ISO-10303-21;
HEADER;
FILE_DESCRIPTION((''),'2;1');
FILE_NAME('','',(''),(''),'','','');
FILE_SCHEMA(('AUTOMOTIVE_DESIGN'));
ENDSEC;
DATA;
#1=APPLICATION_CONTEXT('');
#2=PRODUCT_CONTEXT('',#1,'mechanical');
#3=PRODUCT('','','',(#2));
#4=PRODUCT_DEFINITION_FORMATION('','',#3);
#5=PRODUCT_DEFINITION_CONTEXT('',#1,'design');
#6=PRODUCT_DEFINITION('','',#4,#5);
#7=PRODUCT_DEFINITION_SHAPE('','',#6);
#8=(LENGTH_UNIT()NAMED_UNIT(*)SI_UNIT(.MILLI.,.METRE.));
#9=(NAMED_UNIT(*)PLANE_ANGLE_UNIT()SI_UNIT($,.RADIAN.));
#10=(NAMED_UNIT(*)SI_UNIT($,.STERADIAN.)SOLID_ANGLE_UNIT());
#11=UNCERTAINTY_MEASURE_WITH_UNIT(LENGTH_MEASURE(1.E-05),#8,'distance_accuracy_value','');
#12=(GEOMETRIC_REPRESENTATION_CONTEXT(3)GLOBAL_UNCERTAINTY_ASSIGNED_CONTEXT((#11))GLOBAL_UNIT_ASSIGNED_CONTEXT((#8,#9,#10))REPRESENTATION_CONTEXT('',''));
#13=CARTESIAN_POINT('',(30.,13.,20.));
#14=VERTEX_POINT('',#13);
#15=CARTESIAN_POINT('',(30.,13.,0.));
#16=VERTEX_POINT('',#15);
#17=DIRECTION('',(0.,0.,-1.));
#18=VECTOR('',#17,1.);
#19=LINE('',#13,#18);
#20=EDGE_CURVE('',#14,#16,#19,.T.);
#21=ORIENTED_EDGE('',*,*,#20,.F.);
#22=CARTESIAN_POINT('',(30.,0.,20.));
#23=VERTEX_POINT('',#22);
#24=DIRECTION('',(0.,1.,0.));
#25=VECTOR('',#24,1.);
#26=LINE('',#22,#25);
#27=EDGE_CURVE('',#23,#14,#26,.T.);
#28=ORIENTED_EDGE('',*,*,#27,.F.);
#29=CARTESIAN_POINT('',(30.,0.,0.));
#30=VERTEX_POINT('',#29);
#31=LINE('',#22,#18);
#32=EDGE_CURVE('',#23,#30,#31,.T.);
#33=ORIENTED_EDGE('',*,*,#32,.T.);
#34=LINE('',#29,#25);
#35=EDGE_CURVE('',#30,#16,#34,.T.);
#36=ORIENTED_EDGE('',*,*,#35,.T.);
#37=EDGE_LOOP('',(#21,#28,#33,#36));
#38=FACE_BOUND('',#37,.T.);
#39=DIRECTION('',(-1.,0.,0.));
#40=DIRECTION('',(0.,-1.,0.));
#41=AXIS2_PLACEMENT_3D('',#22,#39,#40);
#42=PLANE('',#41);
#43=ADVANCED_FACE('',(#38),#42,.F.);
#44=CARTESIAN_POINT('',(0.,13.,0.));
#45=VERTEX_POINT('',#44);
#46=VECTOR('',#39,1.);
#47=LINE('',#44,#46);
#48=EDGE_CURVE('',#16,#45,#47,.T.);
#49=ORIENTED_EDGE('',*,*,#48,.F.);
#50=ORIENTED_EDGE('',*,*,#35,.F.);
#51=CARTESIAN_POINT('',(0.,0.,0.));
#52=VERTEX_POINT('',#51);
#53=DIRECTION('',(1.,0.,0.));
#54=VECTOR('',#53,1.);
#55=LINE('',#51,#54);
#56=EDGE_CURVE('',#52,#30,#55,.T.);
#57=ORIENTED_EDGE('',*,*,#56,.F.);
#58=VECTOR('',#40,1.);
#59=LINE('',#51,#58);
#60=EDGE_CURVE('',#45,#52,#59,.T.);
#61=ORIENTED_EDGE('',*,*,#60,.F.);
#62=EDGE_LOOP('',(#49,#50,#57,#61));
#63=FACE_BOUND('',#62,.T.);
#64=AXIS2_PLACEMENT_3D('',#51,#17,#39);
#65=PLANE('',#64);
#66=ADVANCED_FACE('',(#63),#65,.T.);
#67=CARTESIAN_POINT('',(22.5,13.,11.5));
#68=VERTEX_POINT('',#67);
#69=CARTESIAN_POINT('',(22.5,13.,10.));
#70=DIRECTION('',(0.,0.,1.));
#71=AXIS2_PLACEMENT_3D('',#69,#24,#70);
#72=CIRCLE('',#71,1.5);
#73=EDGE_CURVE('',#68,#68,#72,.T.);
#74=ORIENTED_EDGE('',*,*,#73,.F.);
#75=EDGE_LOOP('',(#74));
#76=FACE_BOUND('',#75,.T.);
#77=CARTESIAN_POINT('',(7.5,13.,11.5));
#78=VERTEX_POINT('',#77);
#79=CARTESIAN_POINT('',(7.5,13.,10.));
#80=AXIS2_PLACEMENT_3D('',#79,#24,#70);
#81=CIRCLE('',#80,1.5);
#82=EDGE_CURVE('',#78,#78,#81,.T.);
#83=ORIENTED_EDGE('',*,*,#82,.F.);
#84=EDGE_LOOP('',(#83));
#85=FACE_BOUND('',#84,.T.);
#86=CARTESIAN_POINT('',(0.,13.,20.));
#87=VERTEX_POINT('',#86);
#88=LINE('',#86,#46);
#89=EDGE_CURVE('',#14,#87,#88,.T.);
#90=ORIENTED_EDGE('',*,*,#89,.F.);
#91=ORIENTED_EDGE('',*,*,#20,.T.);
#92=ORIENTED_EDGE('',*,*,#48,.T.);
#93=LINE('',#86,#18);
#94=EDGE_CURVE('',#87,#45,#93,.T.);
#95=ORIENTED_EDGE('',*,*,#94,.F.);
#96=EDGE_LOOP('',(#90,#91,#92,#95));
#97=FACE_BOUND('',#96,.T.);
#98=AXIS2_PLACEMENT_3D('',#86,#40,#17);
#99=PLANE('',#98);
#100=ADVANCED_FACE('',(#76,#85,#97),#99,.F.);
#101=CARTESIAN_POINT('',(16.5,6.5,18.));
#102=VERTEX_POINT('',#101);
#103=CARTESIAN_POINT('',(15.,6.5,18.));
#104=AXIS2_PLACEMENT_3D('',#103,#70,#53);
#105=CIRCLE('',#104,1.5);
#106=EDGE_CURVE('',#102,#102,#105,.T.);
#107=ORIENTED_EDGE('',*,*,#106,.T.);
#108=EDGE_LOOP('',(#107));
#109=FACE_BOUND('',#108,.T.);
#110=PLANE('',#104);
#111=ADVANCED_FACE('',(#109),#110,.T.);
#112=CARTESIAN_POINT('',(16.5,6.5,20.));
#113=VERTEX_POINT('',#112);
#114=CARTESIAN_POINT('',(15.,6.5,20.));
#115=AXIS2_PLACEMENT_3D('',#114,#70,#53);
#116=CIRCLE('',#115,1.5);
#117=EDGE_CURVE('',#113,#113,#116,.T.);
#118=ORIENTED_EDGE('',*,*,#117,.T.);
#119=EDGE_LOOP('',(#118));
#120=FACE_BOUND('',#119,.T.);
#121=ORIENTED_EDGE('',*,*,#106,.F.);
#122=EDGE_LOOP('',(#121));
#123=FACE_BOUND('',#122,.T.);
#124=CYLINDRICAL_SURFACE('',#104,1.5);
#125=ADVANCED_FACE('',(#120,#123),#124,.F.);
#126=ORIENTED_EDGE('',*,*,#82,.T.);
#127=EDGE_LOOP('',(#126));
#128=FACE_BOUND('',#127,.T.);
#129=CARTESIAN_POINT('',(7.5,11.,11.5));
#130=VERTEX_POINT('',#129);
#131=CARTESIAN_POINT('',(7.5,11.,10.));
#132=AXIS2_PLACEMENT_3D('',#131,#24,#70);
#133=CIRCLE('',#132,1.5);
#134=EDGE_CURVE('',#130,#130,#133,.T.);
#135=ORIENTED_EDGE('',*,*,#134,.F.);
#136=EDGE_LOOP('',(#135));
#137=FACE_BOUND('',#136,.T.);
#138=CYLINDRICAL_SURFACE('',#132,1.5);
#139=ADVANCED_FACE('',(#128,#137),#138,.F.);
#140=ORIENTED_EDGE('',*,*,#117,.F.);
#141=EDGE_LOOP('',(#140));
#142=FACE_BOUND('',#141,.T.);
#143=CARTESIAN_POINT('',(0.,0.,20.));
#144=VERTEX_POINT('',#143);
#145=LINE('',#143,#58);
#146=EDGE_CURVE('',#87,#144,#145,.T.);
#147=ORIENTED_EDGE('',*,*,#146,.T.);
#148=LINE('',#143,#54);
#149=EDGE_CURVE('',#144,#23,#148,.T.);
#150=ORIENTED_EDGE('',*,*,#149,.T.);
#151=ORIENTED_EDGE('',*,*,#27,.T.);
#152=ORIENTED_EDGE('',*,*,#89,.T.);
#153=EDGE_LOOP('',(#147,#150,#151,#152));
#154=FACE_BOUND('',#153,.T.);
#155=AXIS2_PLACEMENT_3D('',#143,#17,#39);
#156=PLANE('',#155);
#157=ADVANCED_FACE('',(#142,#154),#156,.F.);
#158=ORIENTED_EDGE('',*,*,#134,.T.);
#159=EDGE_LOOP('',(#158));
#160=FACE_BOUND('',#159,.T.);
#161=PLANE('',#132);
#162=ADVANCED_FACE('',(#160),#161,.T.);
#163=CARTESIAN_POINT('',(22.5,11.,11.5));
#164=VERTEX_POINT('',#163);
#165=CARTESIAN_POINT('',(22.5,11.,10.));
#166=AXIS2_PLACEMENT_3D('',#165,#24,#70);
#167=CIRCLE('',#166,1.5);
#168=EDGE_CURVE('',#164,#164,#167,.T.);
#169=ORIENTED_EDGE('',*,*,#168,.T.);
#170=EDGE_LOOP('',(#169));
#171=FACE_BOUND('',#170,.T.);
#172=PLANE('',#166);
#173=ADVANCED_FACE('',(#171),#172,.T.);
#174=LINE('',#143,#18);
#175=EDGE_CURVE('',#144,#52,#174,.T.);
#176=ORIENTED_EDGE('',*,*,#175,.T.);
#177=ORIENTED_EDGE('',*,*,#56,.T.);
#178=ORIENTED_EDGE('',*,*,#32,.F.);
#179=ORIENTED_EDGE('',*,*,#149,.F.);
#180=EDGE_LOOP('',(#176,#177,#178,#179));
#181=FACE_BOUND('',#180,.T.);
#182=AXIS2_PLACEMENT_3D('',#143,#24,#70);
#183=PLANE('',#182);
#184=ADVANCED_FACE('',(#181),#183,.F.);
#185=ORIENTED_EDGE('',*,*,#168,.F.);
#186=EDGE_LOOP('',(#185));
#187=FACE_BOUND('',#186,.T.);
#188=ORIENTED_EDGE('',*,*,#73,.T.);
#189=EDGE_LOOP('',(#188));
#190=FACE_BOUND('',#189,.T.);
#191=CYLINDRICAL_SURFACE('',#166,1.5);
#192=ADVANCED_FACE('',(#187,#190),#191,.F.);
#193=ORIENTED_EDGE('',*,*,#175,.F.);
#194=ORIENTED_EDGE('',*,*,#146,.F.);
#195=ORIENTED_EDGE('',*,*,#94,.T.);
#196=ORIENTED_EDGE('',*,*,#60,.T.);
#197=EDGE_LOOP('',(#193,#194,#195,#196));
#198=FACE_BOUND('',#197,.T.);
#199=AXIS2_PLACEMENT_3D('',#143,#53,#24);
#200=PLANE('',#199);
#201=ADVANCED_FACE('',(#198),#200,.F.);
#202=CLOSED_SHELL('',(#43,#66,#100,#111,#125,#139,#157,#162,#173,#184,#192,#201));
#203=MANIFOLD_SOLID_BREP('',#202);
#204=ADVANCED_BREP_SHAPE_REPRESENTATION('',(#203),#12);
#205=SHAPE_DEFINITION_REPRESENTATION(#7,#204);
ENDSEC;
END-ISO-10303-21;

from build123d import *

# Parameters (mm, degrees)
SKETCH1_W           = 30
SKETCH1_H           = 13
BOSS_EXTRUDE1_DEPTH = 20
SKETCH2_R           = 1.5
CUT_EXTRUDE1_DEPTH  = 2
SKETCH3_R           = 1.5
CUT_EXTRUDE2_DEPTH  = 2


with BuildPart() as part:
    # Sketch1 → Boss-Extrude1 (new body)
    with BuildSketch(Plane.XY):
        with Locations((15, 6.5)):
            Rectangle(SKETCH1_W, SKETCH1_H)
    extrude(amount=BOSS_EXTRUDE1_DEPTH)

    # Sketch2 → Cut-Extrude1 (cut)
    with BuildSketch(Plane.XY.offset(20)):
        with Locations((15, 6.5)):
            Circle(SKETCH2_R)
    extrude(amount=-CUT_EXTRUDE1_DEPTH, mode=Mode.SUBTRACT)

    # Sketch3 → Cut-Extrude2 (cut)
    with BuildSketch(Plane(origin=(0, 13, 0), x_dir=(1, 0, 0), z_dir=(0, 1, 0))):
        with Locations((7.5, -10)):
            Circle(SKETCH3_R)
        with Locations((22.5, -10)):
            Circle(SKETCH3_R)
    extrude(amount=-CUT_EXTRUDE2_DEPTH, mode=Mode.SUBTRACT)


solid = part.part
